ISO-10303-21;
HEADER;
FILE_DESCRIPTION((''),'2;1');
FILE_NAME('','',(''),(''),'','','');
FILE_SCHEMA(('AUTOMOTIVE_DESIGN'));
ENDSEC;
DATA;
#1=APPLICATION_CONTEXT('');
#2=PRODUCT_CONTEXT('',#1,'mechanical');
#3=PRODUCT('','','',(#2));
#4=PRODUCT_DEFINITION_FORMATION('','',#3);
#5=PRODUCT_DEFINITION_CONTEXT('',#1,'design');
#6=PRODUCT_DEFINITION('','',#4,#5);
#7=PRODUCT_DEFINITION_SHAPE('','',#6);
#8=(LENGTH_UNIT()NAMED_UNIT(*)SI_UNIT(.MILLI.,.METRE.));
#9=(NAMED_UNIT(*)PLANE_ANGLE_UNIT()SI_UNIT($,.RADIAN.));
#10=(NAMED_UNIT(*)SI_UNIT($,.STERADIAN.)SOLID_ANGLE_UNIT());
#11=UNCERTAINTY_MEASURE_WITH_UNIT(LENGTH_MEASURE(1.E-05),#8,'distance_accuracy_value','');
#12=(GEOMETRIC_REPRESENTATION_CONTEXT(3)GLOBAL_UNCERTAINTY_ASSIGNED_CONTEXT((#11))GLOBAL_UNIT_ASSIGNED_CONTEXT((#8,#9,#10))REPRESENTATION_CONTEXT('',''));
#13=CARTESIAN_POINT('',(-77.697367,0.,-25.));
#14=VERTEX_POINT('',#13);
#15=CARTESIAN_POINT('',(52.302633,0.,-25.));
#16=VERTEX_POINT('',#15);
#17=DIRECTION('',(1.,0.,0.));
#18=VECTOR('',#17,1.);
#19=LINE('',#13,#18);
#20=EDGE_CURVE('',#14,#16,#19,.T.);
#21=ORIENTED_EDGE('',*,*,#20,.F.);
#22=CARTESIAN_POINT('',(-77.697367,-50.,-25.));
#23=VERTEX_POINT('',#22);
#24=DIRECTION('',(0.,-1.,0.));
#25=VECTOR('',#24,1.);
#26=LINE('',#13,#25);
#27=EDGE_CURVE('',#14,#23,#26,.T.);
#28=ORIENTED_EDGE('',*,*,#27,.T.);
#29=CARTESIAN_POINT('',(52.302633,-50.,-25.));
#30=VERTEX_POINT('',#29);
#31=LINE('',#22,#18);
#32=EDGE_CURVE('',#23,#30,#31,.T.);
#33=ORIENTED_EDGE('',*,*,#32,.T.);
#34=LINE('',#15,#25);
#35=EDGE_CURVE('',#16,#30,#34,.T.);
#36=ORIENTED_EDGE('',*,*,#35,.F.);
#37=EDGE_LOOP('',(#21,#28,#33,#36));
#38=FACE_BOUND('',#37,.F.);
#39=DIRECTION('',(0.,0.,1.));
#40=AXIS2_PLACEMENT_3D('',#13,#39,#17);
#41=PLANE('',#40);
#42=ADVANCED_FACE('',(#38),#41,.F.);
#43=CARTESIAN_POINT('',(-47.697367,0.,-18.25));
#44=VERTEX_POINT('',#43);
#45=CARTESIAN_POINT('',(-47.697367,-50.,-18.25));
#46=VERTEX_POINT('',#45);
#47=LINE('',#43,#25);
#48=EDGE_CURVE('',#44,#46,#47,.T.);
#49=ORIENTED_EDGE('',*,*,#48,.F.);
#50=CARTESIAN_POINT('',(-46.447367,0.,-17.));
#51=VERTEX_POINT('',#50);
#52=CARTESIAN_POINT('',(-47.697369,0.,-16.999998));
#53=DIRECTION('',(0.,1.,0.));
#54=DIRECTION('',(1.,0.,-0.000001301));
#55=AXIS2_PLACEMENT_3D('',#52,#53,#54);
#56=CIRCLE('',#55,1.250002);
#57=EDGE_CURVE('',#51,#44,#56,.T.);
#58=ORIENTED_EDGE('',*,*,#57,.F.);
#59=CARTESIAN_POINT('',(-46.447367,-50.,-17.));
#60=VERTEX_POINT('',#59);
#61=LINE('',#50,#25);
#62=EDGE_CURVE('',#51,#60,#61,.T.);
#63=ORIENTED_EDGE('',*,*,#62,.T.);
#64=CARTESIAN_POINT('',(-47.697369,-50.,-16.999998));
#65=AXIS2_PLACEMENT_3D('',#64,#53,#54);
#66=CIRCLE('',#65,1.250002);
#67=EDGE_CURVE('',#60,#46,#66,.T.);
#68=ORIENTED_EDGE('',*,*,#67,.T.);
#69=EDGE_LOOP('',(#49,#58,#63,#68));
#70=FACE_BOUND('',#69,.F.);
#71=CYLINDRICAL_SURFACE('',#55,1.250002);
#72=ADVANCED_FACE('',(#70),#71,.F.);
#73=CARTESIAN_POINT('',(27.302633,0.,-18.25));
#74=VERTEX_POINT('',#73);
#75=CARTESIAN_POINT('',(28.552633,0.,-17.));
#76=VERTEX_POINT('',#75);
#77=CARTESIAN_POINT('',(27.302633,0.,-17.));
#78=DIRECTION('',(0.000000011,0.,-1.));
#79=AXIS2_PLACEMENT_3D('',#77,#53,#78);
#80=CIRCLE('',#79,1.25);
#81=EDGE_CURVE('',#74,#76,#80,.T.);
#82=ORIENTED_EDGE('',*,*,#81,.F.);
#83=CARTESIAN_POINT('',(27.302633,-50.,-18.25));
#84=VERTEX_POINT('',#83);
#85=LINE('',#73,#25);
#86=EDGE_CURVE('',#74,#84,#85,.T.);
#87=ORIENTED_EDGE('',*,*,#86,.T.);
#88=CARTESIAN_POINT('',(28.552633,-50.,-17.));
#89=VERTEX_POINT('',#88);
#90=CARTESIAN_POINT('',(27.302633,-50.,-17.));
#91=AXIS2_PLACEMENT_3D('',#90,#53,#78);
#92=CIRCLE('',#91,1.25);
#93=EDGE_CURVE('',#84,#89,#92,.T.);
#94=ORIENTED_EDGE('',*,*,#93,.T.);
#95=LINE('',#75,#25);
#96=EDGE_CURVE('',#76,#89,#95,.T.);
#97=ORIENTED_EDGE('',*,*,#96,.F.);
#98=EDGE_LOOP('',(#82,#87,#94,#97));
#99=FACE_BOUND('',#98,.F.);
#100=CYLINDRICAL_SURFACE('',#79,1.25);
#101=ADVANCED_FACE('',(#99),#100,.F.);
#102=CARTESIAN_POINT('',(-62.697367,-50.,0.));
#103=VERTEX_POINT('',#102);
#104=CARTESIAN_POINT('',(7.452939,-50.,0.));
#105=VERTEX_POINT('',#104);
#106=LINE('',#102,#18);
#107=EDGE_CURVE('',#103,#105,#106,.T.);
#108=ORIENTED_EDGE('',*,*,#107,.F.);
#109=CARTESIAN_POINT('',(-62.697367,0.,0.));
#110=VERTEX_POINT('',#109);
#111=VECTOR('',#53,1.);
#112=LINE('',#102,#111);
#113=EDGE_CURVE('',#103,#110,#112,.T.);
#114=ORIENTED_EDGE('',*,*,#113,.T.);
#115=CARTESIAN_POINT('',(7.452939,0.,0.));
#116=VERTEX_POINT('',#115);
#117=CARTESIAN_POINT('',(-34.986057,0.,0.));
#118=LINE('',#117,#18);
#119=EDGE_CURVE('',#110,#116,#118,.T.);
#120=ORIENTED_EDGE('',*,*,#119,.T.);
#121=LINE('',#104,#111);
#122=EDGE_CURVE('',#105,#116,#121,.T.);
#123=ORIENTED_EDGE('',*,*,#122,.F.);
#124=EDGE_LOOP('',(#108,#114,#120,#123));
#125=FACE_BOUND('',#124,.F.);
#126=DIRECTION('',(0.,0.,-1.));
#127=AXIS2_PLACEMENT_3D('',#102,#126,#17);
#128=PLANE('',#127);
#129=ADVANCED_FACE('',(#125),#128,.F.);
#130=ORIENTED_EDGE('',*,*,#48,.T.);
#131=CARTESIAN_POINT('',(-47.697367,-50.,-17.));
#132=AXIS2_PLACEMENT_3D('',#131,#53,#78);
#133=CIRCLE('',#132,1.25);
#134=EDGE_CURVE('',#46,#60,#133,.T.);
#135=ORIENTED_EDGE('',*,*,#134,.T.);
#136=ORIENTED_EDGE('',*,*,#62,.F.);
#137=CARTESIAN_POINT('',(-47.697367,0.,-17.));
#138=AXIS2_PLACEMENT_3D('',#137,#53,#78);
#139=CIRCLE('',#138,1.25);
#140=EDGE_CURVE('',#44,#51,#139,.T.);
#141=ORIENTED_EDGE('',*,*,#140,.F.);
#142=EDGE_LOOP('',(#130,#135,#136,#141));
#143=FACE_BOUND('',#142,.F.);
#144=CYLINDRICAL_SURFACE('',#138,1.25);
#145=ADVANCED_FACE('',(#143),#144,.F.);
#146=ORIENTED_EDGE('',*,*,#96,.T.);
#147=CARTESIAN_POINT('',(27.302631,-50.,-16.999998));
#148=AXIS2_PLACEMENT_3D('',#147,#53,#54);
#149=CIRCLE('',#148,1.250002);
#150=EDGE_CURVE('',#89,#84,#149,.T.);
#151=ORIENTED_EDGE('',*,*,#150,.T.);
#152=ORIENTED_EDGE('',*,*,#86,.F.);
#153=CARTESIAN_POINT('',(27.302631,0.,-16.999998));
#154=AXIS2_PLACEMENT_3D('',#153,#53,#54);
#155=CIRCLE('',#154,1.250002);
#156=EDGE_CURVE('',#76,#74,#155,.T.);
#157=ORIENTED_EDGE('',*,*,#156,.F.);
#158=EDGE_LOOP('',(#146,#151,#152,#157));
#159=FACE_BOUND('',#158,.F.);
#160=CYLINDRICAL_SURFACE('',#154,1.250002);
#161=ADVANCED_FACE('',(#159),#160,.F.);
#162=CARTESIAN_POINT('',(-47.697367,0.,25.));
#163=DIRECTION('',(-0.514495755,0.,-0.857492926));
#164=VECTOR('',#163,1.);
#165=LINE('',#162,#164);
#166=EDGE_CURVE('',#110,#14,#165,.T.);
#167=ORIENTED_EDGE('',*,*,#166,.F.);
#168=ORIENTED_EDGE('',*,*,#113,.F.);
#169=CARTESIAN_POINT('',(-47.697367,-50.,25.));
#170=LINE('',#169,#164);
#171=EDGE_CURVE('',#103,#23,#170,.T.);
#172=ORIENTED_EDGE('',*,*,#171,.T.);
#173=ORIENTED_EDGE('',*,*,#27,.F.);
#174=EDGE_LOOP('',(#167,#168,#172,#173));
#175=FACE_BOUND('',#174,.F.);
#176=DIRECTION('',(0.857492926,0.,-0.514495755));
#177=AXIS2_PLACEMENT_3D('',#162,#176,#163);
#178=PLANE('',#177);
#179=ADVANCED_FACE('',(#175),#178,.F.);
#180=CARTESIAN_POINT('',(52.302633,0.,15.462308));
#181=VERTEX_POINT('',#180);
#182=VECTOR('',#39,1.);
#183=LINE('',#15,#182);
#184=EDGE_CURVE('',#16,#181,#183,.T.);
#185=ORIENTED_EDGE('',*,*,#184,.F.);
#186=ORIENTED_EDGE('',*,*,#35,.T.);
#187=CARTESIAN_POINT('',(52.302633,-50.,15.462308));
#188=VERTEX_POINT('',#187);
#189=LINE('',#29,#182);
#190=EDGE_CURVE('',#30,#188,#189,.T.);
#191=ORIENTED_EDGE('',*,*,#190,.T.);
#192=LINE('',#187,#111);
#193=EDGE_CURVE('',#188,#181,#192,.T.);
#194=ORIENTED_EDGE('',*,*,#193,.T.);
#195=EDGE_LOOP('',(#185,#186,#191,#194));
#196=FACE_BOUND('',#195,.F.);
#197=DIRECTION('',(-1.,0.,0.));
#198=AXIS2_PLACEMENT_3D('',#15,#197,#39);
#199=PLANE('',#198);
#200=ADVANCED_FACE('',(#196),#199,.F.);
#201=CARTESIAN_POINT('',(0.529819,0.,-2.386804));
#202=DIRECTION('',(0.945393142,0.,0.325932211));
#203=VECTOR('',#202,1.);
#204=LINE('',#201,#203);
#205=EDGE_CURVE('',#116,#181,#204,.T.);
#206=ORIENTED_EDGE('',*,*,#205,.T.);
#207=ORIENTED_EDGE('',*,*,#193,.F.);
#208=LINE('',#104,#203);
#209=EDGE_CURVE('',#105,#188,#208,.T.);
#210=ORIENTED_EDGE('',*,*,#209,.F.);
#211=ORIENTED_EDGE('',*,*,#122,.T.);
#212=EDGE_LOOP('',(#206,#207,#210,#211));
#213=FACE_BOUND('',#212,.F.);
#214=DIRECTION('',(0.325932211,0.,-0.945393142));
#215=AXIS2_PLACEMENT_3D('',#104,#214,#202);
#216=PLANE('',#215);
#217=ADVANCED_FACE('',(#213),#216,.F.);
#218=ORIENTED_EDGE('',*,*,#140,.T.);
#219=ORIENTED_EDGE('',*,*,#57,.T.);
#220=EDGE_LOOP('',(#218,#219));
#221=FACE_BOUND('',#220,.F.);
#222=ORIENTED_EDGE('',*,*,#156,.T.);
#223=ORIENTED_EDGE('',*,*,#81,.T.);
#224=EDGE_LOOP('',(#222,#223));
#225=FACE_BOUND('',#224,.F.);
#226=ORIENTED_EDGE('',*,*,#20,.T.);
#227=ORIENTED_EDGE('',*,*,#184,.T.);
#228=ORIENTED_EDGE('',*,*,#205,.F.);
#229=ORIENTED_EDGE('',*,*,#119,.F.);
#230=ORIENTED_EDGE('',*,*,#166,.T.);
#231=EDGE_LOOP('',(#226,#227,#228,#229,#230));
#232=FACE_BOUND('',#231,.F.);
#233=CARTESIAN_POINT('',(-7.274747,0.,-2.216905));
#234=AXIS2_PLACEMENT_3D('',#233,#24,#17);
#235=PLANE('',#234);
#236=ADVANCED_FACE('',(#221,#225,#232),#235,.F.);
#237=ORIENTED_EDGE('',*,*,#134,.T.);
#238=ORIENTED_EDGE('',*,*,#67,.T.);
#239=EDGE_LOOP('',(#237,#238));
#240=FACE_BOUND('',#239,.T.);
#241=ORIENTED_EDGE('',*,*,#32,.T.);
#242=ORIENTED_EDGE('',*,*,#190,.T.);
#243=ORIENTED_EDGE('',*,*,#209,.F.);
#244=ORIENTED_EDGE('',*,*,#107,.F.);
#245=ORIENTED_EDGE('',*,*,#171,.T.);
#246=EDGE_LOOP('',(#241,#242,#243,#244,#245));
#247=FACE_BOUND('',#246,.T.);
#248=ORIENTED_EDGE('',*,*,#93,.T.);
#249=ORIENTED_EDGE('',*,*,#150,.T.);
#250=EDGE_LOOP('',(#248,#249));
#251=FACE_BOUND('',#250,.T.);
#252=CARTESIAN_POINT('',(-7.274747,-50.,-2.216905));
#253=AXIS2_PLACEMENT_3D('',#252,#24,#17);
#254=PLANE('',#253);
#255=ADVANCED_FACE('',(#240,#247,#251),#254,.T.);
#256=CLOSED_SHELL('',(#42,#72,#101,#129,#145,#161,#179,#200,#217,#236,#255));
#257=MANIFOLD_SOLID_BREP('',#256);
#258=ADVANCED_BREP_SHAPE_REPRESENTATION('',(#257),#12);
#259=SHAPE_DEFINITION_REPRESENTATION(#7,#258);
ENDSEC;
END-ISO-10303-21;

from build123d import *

# Parameters (mm, degrees)
F1_DEPTH = 50
F3_DEPTH = 50.001


with BuildPart() as f1:
    # F0 (on Front) → F1 (new body)
    with BuildSketch(Plane.XZ):
        Polygon((52.302633, -25), (52.302633, 25), (-47.697367, 25), (-77.697367, -25), (-47.697367, -25), (27.302633, -25), align=None)
        with BuildLine():
            ThreePointArc((-47.697367, -18.25), (-48.581251, -16.116117), (-46.447367, -17))
            ThreePointArc((-46.447367, -17), (-46.813484, -17.883883), (-47.697367, -18.25))
        make_face(mode=Mode.SUBTRACT)
        with BuildLine():
            ThreePointArc((27.302633, -18.25), (26.418749, -16.116117), (28.552633, -17))
            ThreePointArc((28.552633, -17), (28.186516, -17.883883), (27.302633, -18.25))
        make_face(mode=Mode.SUBTRACT)
    extrude(amount=F1_DEPTH)

    # F2 (on face) → F3 (cut, through all)
    with BuildSketch(Plane.XZ.offset(50)):
        Polygon((-47.697367, 25), (-62.697367, 0), (-28.942954, 0), (7.452939, 0), (52.302633, 15.462308), (52.302633, 25), align=None)
    extrude(amount=-F3_DEPTH, mode=Mode.SUBTRACT)


solid = f1.part
